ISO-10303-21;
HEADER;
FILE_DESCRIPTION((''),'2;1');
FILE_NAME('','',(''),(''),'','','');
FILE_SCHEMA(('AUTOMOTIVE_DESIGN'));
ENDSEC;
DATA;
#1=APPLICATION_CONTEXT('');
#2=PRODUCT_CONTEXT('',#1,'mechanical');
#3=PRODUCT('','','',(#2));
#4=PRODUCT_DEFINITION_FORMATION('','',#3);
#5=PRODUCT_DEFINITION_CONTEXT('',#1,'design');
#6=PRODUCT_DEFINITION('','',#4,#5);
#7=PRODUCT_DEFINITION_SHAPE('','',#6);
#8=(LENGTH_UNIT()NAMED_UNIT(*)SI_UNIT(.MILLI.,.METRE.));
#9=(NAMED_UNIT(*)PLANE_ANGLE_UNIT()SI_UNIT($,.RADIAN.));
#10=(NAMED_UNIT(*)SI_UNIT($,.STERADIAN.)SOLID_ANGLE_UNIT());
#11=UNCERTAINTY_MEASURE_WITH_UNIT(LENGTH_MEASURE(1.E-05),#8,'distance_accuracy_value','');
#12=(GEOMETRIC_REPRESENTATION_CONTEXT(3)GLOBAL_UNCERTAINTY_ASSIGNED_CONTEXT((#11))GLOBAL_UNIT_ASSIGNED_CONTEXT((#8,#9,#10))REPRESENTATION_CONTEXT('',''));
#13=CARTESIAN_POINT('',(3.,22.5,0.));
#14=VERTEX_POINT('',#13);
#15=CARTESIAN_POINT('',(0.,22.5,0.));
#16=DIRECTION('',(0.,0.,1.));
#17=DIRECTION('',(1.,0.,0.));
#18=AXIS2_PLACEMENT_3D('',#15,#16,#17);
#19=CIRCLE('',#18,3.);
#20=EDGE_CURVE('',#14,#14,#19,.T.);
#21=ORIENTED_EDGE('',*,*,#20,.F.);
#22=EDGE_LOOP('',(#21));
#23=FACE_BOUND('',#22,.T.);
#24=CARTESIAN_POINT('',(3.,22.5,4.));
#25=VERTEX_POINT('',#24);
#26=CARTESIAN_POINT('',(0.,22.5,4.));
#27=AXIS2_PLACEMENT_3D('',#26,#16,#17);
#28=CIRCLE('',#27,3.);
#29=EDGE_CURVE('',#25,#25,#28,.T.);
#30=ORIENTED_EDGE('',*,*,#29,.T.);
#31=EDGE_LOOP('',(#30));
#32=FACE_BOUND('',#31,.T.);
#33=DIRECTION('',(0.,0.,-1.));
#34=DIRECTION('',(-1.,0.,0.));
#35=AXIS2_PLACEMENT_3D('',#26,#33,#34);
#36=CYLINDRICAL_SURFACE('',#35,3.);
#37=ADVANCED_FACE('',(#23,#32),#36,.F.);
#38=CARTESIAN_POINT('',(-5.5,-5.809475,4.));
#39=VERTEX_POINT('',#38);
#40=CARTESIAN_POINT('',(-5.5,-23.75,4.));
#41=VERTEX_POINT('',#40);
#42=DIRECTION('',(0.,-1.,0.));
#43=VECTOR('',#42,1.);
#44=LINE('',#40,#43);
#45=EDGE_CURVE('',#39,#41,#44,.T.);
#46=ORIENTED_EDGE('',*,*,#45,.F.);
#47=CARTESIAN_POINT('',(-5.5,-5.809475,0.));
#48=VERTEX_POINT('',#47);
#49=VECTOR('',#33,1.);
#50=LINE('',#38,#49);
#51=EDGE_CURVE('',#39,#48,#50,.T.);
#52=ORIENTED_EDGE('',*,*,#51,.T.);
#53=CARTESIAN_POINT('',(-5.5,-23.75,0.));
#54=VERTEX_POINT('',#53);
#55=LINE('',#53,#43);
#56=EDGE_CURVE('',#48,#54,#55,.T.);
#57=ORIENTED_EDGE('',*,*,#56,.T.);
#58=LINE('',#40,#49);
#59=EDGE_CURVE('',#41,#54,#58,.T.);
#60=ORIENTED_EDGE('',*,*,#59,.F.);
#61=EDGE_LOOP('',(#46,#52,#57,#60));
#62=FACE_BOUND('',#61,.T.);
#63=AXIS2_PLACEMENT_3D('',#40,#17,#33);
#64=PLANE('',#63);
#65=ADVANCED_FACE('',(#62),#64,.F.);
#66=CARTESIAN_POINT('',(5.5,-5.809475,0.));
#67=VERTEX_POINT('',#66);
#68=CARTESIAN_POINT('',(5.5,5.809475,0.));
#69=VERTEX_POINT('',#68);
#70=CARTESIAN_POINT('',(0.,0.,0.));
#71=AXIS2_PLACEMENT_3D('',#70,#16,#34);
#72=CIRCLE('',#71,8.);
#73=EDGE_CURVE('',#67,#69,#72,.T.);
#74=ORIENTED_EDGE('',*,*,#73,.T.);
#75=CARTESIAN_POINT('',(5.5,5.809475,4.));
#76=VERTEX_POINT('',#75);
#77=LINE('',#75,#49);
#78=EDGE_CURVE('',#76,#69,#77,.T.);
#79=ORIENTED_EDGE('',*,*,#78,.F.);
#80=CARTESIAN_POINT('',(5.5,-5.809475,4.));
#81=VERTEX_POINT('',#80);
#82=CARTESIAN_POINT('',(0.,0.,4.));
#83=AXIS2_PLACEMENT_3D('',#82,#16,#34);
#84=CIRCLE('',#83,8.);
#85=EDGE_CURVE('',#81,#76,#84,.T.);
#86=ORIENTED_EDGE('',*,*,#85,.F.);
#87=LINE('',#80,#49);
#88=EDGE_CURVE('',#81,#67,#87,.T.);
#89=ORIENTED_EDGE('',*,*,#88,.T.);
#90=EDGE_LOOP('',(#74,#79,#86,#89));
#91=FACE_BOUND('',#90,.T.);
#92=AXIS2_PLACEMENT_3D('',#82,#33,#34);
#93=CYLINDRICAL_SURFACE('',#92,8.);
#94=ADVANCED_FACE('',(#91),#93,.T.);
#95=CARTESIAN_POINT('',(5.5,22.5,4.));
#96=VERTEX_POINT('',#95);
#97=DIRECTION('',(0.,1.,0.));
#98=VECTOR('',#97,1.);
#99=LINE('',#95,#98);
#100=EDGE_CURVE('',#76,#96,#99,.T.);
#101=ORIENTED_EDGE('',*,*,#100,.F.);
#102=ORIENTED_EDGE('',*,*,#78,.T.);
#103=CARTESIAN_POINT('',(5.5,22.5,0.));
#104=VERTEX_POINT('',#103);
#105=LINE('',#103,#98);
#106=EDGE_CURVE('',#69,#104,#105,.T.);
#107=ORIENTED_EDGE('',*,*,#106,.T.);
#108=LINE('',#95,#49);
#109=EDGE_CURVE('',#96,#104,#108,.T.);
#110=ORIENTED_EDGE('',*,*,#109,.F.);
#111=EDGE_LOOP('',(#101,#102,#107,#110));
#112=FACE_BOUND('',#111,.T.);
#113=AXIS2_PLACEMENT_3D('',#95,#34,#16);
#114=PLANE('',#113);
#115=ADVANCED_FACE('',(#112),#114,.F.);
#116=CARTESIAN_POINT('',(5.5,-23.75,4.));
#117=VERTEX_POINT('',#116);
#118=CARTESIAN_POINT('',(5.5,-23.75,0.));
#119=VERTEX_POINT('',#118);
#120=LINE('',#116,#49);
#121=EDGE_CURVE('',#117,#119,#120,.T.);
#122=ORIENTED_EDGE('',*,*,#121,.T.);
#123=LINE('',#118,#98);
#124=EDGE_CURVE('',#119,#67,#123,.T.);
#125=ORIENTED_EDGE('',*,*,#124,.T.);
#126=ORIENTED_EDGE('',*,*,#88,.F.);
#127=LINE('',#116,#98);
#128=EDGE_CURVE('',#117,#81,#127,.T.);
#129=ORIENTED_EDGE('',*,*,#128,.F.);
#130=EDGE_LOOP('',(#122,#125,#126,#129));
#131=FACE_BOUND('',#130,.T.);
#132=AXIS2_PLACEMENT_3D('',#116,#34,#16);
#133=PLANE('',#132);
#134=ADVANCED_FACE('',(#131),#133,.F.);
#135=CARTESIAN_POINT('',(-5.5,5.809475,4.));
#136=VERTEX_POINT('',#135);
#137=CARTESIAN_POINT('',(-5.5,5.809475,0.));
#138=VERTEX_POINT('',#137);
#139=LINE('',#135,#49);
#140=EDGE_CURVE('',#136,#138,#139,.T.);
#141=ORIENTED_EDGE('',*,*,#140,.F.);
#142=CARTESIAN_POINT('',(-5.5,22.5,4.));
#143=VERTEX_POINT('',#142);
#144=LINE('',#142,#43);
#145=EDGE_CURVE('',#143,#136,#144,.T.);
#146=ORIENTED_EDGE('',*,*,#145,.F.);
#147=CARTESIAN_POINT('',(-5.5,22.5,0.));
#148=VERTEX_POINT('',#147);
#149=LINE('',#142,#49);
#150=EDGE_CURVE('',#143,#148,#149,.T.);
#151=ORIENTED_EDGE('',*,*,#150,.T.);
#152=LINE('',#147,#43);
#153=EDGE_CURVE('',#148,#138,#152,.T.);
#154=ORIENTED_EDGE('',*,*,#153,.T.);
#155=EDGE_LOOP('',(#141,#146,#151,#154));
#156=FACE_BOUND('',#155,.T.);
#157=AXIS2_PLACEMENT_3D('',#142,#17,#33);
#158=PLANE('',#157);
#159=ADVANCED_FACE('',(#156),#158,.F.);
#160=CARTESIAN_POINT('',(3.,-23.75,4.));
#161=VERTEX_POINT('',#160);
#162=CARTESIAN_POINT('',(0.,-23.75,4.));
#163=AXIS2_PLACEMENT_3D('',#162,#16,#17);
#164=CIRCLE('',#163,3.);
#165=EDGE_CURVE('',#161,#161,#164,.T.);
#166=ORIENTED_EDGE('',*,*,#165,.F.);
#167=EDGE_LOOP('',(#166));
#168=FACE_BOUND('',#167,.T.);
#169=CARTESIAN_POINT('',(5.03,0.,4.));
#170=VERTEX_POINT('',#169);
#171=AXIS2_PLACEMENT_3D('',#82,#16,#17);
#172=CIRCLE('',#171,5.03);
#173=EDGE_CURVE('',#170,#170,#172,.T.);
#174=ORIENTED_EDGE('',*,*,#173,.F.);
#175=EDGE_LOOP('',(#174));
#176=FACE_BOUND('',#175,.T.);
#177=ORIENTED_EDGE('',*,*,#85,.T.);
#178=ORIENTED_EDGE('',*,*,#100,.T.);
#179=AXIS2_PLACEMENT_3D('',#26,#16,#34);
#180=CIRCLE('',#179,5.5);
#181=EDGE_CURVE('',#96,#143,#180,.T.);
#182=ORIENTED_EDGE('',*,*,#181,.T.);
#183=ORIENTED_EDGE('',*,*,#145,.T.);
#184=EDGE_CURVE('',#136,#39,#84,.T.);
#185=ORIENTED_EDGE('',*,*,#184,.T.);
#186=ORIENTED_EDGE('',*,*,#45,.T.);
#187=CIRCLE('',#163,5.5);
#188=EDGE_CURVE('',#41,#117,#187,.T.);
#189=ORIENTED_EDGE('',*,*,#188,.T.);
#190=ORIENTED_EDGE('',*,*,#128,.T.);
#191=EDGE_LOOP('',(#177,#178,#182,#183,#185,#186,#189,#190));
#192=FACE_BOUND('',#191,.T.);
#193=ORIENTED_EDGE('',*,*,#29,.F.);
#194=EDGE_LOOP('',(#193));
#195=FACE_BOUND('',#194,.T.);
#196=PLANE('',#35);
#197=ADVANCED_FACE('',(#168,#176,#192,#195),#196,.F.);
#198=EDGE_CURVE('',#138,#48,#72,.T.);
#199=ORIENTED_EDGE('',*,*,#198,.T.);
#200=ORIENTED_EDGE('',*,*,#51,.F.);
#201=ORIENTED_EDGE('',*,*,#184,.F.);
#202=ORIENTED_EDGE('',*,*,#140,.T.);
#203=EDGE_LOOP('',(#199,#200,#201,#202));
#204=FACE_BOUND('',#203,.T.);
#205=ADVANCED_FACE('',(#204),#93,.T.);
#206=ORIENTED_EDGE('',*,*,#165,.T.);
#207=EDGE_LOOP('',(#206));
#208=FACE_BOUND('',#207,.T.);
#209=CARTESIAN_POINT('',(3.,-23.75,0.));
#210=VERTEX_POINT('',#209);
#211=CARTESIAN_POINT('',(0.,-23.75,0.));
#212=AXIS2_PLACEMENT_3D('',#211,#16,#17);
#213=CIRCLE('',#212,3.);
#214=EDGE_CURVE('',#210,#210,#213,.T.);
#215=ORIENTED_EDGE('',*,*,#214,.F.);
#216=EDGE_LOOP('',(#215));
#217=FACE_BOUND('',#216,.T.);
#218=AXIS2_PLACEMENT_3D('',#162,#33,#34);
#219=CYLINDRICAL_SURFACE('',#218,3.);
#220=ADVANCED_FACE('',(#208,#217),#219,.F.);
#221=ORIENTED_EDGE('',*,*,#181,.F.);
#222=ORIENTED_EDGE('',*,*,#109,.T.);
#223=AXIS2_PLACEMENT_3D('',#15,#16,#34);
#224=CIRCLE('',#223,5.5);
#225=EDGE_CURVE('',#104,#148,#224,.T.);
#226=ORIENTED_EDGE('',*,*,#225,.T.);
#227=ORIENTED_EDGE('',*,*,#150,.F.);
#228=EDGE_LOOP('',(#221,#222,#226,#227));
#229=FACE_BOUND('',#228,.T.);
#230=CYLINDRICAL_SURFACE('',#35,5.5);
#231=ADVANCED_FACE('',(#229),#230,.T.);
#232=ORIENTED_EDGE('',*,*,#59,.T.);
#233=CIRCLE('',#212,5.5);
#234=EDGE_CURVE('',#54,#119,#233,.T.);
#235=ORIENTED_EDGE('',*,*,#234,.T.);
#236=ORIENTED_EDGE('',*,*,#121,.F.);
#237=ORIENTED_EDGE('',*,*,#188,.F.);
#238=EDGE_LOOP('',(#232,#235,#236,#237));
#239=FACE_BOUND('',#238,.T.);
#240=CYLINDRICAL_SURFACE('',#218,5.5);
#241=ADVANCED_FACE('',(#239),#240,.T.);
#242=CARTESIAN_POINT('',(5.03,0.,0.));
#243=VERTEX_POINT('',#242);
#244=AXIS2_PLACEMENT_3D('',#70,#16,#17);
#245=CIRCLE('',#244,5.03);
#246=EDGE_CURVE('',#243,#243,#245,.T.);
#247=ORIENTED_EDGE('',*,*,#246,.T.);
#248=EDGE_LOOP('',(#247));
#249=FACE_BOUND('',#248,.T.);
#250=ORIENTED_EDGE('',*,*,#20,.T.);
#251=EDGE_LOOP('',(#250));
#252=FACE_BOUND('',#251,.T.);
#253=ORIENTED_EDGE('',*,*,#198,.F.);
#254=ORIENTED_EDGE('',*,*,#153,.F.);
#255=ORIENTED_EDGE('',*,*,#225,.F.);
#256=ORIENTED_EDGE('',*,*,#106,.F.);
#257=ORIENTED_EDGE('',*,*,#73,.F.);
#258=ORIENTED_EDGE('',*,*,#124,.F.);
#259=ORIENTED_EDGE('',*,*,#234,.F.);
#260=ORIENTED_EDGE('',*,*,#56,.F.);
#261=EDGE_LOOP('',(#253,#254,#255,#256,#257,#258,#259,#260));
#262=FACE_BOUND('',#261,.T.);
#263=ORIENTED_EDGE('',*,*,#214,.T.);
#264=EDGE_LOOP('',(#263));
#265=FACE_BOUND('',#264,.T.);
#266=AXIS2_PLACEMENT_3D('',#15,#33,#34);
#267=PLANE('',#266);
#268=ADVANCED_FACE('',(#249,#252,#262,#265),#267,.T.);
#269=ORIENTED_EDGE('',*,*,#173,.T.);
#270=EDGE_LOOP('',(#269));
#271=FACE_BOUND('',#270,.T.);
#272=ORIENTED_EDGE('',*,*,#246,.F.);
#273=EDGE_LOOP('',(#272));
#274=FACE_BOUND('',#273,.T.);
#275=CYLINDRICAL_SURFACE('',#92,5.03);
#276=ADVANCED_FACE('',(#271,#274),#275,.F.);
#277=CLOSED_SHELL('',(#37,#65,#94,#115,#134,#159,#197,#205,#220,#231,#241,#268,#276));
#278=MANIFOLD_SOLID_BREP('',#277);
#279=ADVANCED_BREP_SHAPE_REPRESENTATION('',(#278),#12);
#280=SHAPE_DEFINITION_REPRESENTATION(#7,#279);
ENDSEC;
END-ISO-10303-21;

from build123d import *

# Parameters (mm, degrees)
SKETCH_1_R      = 3
SKETCH_1_R_2    = 5.03
EXTRUDE_1_DEPTH = 4


with BuildPart() as part:
    # 草图1 → 凸台-拉伸1 (new body)
    with BuildSketch(Plane.XY):
        with BuildLine():
            Line((5.5, 22.5), (5.5, 5.809475019))
            ThreePointArc((5.5, 5.809475019), (8, 0), (5.5, -5.809475019))
            Line((5.5, -5.809475019), (5.5, -23.75))
            ThreePointArc((5.5, -23.75), (0, -29.25), (-5.5, -23.75))
            Line((-5.5, -23.75), (-5.5, -5.809475019))
            ThreePointArc((-5.5, -5.809475019), (-8, 0), (-5.5, 5.809475019))
            Line((-5.5, 5.809475019), (-5.5, 22.5))
            ThreePointArc((-5.5, 22.5), (0, 28), (5.5, 22.5))
        make_face()
        with Locations((0, 22.5)):
            Circle(SKETCH_1_R, mode=Mode.SUBTRACT)
        with Locations((0, -23.75)):
            Circle(SKETCH_1_R, mode=Mode.SUBTRACT)
        Circle(SKETCH_1_R_2, mode=Mode.SUBTRACT)
    extrude(amount=EXTRUDE_1_DEPTH)


solid = part.part
